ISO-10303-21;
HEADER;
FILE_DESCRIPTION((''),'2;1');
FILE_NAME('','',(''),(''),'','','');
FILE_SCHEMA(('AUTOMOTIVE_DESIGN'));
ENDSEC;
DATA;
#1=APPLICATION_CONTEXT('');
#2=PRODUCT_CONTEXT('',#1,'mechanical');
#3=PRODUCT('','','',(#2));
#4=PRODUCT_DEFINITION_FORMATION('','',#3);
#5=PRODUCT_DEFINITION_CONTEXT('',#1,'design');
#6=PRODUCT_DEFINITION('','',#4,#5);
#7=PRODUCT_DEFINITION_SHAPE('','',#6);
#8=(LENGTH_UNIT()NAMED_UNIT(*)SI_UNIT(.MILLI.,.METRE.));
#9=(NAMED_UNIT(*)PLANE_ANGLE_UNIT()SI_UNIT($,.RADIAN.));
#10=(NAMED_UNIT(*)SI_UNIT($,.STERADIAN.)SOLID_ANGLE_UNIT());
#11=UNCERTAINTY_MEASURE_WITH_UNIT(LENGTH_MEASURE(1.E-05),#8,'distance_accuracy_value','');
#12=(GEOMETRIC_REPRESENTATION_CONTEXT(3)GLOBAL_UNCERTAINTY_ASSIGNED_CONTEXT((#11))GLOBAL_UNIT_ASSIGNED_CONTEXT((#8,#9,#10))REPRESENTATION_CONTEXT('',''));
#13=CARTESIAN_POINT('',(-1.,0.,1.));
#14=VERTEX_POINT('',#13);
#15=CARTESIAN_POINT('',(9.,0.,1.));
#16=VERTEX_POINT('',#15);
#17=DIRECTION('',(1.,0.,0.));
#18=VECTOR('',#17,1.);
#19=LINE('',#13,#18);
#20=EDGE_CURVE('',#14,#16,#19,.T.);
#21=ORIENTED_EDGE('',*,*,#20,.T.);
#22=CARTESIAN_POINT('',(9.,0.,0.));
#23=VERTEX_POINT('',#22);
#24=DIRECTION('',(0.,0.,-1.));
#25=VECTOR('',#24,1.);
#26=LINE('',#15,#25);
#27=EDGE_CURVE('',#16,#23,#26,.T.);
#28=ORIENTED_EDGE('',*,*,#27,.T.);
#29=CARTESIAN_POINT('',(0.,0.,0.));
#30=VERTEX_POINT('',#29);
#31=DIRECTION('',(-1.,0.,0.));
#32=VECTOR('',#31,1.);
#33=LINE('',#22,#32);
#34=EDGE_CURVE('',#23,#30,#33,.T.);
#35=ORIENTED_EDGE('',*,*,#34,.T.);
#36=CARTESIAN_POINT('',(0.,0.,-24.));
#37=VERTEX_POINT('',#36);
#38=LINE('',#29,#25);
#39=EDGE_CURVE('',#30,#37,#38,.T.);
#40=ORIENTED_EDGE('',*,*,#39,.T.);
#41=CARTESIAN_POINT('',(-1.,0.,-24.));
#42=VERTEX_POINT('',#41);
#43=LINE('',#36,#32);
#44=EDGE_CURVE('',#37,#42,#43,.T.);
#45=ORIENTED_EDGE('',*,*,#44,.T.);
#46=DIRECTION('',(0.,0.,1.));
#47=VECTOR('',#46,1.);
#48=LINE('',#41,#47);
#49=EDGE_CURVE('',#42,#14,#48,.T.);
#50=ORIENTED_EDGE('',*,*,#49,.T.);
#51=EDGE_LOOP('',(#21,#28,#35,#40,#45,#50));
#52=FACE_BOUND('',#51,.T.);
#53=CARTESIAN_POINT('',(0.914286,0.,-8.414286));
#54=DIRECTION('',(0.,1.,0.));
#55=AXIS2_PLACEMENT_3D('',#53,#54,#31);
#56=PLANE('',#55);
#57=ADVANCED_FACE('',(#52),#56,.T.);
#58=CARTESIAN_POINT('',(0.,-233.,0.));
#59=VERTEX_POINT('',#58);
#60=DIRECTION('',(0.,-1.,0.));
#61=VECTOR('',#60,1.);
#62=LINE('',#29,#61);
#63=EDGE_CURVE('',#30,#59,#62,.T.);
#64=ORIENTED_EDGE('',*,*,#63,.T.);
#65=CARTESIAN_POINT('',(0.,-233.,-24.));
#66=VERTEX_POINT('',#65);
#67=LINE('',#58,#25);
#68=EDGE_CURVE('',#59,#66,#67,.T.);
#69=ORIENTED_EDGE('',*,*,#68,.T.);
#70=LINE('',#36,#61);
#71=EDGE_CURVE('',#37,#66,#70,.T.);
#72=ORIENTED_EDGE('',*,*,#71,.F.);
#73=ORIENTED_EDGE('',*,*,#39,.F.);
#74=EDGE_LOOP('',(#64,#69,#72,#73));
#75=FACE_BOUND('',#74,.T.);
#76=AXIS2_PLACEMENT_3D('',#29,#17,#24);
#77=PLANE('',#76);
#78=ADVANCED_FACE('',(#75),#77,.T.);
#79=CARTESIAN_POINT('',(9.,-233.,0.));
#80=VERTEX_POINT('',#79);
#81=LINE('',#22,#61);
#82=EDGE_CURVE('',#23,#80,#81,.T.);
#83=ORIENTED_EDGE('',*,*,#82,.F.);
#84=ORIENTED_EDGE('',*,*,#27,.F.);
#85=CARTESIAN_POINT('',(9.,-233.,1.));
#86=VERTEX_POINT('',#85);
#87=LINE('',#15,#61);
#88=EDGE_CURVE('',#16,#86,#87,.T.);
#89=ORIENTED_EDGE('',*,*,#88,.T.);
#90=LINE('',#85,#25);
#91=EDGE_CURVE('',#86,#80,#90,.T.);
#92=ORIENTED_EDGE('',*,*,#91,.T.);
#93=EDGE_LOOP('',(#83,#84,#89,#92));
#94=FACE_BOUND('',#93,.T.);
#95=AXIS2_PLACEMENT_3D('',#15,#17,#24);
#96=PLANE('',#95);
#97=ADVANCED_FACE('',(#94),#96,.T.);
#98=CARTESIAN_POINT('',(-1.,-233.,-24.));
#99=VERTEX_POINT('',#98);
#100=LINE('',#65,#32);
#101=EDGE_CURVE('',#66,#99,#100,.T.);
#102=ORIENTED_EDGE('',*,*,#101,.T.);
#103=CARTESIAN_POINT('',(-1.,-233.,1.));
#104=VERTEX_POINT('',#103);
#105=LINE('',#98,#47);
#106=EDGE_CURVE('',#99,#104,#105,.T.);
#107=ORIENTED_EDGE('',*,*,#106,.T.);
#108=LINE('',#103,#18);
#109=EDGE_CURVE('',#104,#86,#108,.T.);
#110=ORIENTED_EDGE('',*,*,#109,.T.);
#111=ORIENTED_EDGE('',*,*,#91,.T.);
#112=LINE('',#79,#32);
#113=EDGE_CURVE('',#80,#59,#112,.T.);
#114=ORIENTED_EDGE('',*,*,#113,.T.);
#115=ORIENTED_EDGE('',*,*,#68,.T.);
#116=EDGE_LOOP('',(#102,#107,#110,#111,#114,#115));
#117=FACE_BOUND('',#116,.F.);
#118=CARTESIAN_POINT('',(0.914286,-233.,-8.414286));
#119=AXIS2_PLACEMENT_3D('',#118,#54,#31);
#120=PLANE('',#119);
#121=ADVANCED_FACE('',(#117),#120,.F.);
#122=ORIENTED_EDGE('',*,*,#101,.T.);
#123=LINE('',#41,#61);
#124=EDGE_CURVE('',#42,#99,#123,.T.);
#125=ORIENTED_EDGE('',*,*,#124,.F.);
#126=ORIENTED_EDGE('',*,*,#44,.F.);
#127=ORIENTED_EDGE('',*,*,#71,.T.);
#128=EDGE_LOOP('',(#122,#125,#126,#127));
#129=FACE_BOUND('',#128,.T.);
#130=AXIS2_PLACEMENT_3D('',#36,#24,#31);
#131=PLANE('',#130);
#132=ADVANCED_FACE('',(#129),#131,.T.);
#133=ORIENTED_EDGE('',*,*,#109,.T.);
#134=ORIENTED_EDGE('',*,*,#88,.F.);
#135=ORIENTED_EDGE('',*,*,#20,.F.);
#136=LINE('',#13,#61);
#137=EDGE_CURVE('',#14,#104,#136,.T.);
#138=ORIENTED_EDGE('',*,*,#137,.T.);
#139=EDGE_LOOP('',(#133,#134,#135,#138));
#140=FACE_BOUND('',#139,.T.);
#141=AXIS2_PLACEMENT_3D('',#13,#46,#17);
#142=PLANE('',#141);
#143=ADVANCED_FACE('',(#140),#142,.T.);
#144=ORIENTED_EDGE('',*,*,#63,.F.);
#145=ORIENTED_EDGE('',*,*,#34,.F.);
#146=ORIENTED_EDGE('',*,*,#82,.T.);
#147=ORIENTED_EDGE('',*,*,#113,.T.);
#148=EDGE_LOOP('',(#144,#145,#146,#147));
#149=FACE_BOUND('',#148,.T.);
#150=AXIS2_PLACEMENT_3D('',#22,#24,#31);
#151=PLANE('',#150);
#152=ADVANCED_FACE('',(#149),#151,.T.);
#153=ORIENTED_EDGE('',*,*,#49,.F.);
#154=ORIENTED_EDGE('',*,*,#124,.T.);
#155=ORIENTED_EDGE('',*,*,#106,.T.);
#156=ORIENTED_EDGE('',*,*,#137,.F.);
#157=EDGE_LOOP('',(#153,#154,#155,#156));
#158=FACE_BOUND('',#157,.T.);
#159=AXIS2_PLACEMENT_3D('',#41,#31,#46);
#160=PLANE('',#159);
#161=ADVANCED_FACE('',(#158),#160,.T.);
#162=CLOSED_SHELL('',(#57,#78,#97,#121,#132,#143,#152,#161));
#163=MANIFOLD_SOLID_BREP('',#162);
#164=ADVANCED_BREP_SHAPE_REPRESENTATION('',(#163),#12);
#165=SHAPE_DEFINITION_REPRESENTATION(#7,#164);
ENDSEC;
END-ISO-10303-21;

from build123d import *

# Parameters (mm, degrees)
PAD_DEPTH = 233


with BuildPart() as part:
    # Sketch → Pad (new body)
    with BuildSketch(Plane.XZ):
        Polygon((9, 0), (0, 0), (0, -24), (-1, -24), (-1, 1), (9, 1), align=None)
    extrude(amount=PAD_DEPTH)


solid = part.part
